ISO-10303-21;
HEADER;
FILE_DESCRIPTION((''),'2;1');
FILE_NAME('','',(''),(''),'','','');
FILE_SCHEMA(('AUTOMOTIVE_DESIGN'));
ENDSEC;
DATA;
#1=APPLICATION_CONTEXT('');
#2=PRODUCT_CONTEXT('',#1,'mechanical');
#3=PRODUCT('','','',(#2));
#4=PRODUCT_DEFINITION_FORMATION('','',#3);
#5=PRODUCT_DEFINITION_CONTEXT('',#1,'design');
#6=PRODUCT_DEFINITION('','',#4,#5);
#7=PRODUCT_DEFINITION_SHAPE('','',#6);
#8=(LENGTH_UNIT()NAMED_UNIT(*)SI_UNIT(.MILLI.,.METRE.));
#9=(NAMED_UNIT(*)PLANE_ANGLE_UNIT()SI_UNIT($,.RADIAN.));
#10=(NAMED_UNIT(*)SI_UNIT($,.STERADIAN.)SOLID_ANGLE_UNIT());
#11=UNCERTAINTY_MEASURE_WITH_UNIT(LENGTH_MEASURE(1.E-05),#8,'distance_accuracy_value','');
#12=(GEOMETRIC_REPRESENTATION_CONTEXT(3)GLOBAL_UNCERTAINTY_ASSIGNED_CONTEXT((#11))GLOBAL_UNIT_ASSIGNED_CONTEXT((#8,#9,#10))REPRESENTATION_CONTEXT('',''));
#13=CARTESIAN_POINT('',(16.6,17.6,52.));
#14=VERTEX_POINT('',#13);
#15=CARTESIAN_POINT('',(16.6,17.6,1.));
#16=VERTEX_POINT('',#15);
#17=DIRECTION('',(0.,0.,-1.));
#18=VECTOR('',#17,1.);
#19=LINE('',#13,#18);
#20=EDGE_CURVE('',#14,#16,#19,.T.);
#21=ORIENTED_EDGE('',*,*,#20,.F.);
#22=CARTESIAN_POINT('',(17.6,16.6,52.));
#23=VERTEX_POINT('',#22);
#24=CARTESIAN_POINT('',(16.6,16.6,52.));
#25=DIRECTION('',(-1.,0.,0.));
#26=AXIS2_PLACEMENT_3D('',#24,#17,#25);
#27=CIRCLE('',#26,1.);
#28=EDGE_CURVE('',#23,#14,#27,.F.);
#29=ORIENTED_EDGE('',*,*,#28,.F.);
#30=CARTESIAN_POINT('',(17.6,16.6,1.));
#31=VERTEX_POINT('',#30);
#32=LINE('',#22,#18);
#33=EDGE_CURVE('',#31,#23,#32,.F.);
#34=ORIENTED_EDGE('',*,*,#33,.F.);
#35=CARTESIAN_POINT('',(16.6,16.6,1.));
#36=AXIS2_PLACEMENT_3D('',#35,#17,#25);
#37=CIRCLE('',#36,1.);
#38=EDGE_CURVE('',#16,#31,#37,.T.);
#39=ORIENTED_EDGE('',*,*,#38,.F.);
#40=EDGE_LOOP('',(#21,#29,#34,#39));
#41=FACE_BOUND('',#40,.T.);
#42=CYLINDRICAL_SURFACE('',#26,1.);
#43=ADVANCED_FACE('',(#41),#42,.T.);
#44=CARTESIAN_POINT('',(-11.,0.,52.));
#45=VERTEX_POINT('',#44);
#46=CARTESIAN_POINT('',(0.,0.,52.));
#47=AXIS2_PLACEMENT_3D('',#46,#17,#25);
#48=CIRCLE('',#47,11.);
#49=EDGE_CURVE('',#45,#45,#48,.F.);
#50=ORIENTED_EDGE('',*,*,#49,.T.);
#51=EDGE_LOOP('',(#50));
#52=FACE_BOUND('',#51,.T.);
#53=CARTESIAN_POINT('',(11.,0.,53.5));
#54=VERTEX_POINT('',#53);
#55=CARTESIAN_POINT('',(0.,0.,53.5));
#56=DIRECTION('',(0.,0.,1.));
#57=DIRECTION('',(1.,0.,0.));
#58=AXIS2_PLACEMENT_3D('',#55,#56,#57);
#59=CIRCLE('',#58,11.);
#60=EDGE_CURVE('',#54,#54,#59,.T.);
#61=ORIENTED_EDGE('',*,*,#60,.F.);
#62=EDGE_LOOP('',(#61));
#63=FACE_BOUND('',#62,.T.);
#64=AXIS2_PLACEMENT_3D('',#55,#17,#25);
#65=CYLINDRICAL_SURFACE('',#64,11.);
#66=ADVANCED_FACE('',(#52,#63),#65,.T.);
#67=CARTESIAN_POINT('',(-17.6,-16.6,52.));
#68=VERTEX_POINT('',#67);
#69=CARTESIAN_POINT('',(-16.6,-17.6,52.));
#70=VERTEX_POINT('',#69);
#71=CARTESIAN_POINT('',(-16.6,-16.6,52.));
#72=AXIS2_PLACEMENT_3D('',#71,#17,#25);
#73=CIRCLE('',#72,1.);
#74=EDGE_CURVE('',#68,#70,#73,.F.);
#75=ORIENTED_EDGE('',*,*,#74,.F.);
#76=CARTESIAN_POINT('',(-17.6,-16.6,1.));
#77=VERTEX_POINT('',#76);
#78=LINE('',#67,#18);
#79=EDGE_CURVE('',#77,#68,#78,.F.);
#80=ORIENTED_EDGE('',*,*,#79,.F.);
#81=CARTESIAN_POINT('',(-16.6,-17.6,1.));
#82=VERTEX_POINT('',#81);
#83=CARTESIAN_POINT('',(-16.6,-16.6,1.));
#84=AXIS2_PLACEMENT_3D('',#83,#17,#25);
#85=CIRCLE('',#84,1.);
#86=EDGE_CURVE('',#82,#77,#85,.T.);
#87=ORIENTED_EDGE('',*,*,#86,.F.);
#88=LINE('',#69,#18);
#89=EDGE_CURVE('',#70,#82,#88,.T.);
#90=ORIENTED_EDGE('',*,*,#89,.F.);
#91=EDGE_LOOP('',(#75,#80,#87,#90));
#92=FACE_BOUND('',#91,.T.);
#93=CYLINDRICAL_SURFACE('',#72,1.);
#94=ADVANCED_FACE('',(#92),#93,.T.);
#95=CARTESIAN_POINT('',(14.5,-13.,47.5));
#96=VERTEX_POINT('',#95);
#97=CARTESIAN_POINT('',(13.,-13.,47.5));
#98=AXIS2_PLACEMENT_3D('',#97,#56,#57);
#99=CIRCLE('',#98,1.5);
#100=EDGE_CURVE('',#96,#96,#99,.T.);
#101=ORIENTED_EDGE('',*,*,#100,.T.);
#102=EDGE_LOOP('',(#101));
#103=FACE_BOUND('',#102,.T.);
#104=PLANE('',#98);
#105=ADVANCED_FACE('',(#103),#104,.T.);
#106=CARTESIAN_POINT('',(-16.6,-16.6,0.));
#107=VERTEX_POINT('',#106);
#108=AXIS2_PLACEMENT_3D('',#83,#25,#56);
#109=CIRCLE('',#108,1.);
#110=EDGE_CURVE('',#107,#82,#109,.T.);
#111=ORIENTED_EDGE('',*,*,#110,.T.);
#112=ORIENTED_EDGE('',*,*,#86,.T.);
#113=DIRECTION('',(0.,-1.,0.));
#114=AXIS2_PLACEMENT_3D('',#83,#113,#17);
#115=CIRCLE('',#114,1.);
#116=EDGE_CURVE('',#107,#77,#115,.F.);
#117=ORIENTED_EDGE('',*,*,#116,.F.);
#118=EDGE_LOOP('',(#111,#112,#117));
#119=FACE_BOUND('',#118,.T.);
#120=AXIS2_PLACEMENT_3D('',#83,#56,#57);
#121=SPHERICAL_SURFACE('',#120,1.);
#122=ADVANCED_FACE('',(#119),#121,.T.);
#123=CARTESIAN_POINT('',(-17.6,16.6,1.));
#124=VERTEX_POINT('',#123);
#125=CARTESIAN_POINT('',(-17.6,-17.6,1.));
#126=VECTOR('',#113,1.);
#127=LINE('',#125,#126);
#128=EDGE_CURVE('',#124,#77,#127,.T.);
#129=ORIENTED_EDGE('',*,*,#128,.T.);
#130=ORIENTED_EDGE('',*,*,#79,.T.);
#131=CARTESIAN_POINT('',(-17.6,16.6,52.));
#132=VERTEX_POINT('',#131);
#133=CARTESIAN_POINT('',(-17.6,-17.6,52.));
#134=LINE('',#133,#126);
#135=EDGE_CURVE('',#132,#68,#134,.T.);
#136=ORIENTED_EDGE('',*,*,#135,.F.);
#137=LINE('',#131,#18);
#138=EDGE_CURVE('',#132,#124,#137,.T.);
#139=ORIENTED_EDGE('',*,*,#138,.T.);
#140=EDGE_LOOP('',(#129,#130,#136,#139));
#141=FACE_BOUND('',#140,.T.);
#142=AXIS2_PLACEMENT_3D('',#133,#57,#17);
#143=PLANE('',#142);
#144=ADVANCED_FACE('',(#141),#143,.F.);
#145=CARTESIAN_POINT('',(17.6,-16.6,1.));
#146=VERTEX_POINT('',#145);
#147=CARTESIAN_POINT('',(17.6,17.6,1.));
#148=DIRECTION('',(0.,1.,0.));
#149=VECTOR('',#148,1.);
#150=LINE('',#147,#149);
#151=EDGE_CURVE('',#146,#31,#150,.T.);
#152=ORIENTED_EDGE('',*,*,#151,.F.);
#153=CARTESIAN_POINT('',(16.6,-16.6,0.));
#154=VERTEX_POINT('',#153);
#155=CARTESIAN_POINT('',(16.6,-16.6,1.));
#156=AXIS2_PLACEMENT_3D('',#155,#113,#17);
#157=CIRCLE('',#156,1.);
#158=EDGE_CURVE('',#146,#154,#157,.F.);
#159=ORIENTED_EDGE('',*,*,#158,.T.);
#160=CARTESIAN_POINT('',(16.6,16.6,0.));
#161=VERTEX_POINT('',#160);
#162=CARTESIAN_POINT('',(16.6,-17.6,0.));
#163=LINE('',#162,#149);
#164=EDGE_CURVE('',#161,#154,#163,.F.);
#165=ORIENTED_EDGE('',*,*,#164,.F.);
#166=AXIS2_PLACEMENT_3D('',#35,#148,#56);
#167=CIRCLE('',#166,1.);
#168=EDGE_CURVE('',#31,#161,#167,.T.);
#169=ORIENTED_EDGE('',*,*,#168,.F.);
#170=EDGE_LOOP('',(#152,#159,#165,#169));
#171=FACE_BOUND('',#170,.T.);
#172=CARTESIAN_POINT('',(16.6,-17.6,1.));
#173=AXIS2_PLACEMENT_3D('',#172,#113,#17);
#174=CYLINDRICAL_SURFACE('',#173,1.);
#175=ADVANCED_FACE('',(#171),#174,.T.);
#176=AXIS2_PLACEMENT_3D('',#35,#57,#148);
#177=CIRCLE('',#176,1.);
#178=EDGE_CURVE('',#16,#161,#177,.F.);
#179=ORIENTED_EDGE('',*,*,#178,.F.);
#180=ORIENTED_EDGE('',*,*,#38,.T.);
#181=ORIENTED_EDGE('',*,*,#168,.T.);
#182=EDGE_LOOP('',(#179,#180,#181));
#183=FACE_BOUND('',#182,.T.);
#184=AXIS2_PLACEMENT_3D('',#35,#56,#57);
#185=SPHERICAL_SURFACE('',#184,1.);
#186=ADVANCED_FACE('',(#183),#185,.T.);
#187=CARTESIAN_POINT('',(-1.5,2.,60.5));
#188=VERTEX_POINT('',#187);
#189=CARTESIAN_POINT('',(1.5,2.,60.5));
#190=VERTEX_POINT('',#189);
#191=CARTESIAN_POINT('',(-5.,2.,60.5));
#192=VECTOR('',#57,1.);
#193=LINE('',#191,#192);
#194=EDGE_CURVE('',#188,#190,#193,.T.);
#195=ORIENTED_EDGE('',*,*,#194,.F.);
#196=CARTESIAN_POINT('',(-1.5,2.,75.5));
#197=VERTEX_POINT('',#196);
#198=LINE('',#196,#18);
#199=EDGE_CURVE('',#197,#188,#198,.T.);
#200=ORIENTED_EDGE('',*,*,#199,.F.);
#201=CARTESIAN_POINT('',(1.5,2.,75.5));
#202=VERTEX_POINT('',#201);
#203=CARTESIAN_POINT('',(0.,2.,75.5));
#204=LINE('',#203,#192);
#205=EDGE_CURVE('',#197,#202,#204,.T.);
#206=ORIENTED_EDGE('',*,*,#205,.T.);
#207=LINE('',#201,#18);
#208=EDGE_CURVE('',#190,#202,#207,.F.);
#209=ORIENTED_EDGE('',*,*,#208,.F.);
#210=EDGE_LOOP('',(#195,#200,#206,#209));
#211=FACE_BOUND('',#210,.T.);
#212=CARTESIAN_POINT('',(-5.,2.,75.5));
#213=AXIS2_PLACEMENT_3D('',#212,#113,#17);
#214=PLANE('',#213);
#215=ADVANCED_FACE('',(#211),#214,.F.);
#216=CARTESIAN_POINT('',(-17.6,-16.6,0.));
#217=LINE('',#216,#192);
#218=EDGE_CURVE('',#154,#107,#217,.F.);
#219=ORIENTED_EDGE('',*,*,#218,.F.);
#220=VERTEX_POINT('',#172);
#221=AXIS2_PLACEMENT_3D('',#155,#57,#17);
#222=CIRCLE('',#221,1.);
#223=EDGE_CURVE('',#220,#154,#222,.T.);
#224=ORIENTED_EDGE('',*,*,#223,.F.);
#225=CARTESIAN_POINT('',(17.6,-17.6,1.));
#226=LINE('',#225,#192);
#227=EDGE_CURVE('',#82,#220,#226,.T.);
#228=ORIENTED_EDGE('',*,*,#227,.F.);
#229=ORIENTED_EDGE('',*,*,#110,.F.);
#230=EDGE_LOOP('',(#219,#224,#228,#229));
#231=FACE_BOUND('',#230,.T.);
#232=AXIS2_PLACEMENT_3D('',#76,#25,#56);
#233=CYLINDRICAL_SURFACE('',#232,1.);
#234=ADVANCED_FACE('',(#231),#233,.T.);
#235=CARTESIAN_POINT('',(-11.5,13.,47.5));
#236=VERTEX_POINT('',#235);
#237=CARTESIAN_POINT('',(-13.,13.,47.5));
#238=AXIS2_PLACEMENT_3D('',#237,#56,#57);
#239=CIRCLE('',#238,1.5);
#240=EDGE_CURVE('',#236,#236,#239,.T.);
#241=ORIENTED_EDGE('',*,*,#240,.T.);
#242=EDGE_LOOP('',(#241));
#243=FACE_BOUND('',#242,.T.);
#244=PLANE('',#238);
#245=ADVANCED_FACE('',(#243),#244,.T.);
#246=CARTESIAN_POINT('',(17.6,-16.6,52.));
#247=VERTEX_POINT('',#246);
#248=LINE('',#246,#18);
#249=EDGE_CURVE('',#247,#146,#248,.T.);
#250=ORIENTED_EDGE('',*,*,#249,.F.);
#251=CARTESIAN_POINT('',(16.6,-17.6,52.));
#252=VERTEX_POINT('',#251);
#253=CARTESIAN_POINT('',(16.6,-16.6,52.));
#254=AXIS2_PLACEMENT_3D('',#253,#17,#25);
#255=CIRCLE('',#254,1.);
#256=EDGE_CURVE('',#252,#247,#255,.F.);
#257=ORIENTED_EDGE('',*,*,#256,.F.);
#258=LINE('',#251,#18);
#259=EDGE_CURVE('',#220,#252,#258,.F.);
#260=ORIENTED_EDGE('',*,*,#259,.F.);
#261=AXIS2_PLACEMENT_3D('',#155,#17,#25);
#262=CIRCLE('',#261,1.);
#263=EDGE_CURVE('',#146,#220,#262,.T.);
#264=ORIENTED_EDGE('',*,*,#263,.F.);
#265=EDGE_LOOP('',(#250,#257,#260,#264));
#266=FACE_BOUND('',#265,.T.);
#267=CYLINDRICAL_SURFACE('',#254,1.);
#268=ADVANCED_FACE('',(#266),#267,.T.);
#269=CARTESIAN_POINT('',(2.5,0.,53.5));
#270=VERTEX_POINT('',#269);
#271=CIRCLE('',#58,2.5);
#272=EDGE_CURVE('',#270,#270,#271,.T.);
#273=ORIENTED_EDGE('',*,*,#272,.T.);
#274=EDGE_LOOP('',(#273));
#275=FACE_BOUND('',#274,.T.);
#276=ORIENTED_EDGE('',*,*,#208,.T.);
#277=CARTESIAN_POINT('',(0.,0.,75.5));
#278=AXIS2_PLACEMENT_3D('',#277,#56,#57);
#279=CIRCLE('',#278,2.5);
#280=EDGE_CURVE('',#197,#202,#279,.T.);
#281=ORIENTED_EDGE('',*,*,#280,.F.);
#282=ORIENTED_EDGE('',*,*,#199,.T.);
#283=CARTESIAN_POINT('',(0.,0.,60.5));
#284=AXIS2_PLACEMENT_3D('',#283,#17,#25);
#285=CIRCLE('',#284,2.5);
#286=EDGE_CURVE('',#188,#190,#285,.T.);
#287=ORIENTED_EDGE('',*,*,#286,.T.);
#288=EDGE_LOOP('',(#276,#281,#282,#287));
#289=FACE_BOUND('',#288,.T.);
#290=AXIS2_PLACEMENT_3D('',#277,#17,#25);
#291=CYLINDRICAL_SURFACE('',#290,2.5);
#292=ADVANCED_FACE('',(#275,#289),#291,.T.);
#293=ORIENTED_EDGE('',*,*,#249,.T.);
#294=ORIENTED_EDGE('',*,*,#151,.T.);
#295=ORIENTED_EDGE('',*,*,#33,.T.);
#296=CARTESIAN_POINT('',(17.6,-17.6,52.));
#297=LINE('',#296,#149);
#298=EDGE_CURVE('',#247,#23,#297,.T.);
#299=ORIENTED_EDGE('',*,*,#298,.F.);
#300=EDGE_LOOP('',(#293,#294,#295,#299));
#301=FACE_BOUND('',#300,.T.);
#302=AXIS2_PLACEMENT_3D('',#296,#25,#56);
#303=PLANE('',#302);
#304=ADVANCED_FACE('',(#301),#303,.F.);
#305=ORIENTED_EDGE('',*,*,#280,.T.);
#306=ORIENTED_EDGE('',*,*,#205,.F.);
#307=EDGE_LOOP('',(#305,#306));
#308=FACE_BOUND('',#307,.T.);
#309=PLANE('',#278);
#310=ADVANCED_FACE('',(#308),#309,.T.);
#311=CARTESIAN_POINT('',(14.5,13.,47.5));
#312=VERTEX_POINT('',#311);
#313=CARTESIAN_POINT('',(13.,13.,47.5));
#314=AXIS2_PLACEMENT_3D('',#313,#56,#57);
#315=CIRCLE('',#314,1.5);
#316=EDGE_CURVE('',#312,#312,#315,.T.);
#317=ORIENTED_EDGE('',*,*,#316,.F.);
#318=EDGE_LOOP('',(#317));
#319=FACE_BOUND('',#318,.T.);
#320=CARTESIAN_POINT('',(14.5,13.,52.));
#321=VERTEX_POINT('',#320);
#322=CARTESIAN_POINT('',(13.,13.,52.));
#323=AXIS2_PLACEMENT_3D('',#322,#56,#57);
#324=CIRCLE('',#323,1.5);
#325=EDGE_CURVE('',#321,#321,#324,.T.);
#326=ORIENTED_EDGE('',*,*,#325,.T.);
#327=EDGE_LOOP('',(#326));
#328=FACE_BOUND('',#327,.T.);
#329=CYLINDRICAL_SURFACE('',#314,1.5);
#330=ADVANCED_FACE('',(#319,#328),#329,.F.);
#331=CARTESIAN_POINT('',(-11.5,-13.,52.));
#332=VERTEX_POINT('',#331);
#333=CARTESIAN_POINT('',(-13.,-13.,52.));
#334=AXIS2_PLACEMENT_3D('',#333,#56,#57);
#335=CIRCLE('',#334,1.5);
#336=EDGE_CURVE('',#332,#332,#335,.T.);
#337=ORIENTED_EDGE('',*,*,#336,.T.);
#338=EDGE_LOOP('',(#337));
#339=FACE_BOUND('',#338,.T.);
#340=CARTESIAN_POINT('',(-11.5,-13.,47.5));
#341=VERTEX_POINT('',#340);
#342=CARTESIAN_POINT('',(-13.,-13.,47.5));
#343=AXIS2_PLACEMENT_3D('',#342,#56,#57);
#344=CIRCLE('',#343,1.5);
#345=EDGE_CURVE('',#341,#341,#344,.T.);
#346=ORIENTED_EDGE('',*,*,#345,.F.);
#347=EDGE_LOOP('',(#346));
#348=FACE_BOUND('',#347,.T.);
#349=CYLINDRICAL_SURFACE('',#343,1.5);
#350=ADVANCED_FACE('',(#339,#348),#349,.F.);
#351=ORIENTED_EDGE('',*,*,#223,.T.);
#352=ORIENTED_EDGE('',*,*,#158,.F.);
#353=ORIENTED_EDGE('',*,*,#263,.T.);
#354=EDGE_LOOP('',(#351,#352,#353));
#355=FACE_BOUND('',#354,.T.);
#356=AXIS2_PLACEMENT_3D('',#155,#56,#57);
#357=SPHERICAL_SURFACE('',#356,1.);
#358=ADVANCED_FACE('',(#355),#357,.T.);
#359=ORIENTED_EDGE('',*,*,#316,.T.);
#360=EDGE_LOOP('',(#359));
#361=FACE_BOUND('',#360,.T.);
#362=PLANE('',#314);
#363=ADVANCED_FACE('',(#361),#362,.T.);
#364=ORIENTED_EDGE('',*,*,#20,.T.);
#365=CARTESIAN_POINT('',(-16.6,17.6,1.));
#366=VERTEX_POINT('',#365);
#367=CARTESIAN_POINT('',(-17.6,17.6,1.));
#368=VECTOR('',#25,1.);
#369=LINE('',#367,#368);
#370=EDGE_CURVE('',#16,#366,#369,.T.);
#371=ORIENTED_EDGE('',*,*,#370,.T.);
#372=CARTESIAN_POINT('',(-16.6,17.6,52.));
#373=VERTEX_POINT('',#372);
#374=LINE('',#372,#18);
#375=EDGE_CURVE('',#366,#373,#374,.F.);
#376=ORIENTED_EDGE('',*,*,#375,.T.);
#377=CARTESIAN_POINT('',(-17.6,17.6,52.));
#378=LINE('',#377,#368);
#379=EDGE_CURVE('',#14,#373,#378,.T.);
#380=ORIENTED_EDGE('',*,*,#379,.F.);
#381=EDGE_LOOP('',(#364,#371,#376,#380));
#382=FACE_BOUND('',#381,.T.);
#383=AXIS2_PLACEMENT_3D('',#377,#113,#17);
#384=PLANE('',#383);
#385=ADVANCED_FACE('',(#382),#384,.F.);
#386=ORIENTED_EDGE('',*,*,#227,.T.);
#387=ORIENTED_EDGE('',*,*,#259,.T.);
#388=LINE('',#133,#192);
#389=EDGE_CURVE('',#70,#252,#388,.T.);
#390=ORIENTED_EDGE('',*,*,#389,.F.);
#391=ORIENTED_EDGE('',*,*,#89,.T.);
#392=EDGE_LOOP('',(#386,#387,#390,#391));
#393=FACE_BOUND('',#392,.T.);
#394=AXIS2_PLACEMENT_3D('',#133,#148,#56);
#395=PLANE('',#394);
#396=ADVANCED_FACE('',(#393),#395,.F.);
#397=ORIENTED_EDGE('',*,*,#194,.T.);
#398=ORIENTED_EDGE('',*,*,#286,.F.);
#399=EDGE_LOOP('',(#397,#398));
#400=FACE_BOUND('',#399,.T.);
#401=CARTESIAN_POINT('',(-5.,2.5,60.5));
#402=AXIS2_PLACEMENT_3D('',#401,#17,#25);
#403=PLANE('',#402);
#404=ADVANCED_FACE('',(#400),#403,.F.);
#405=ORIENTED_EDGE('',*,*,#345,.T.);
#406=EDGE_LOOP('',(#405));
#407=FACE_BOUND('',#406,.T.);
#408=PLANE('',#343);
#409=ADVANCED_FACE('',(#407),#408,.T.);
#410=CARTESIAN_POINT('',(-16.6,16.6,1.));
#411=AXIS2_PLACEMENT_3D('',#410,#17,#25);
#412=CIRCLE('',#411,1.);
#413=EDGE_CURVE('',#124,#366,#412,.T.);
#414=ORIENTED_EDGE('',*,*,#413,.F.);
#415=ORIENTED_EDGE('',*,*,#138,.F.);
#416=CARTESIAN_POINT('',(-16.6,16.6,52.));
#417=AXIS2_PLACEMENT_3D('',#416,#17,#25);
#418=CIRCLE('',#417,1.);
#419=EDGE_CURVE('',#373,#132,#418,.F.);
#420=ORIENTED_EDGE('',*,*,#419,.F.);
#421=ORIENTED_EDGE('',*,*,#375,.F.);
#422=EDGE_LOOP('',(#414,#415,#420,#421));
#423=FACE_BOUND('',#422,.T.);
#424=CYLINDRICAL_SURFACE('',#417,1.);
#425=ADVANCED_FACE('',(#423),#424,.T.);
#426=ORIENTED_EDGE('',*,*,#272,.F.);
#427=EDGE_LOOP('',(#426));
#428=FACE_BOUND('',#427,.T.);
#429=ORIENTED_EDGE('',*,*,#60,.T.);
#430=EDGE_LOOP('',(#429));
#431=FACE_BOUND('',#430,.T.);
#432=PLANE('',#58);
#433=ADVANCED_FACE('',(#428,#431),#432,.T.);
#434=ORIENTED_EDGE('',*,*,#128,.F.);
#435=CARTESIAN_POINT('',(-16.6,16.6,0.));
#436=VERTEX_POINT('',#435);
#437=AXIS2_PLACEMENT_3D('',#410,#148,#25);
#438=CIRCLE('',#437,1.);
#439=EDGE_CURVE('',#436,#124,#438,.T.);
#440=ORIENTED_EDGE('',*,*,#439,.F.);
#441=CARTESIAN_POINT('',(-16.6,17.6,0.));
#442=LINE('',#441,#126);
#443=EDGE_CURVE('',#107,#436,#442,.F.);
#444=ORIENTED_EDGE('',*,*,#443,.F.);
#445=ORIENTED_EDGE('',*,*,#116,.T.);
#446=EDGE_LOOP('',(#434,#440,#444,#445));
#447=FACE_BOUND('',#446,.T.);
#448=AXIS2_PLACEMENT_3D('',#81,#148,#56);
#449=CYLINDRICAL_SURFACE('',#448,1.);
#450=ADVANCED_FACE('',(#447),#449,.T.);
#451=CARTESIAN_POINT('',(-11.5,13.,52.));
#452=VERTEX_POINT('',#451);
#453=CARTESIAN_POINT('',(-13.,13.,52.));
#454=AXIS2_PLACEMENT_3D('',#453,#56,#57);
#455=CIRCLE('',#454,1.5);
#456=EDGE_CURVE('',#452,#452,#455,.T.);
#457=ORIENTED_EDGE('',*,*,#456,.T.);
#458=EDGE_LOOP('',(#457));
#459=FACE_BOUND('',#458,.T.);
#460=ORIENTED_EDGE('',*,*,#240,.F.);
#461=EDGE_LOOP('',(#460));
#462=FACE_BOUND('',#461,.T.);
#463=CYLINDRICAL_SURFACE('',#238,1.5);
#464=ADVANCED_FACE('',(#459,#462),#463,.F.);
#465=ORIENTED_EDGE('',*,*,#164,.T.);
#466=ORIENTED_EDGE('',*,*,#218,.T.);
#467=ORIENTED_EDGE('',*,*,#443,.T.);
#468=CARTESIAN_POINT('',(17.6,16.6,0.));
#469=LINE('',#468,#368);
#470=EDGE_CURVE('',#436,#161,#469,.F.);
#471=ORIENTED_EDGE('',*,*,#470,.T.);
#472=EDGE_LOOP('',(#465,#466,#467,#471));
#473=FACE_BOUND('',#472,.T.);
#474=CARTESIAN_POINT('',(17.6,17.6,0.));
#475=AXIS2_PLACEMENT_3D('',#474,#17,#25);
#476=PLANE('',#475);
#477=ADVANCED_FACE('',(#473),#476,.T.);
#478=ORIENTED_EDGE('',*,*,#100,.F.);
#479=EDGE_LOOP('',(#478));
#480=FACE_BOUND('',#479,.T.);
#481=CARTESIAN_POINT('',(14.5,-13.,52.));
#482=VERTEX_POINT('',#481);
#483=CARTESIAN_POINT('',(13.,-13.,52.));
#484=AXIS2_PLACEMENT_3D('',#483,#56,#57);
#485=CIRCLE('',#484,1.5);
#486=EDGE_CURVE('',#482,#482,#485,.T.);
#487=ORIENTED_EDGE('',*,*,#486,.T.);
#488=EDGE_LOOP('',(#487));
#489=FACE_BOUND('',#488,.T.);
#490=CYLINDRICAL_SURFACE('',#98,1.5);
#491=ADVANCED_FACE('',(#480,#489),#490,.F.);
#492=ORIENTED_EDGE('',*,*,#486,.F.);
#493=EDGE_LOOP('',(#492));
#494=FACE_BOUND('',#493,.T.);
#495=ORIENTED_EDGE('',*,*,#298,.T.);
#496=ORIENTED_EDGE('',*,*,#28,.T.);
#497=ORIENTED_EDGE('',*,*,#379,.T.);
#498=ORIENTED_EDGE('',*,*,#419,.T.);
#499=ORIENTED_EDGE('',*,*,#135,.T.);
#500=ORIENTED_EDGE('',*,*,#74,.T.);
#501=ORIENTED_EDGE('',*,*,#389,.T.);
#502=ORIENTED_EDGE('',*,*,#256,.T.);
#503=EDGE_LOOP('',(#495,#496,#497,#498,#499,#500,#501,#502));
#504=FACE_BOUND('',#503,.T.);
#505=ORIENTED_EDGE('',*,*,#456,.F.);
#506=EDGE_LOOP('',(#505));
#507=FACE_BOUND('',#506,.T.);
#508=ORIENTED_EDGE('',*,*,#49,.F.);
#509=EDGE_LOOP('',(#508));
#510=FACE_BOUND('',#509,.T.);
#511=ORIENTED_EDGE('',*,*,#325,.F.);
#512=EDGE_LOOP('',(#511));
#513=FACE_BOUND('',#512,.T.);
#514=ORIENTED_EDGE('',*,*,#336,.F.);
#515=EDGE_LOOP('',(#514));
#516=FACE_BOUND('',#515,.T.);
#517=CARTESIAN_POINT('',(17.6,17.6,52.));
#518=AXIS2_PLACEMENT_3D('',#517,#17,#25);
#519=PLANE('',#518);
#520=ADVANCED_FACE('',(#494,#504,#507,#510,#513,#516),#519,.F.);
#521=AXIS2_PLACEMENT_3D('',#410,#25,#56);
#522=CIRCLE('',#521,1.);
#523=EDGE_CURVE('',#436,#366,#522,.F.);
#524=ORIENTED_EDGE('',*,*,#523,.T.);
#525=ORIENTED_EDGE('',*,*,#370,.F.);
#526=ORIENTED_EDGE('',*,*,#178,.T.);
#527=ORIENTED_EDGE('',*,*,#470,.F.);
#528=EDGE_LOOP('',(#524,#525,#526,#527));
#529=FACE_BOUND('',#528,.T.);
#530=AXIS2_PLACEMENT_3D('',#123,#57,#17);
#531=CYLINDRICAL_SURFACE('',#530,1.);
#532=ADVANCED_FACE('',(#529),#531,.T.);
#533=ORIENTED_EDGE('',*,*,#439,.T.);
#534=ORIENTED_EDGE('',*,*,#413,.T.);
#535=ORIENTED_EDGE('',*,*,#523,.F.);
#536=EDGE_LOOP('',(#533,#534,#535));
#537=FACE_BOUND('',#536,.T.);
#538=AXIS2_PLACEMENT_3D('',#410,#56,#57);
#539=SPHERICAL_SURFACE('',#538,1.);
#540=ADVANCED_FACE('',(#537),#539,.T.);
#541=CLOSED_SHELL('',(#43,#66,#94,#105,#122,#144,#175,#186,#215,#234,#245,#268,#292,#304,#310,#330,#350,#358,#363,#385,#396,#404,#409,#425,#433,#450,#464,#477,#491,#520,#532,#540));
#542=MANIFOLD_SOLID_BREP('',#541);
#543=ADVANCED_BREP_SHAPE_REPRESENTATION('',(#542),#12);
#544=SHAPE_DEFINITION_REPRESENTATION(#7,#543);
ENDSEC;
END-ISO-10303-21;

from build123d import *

# Parameters (mm, degrees)
SKETCH1_W           = 35.2
SKETCH1_H           = 35.2
BOSS_EXTRUDE1_DEPTH = 52
SKETCH2_R           = 11
BOSS_EXTRUDE2_DEPTH = 1.5
SKETCH3_R           = 2.5
BOSS_EXTRUDE3_DEPTH = 22
SKETCH4_W           = 15
SKETCH4_H           = 0.5
CUT_EXTRUDE1_DEPTH  = 5
SKETCH5_R           = 1.5
CUT_EXTRUDE2_DEPTH  = 4.5
FILLET1_R           = 1


with BuildPart() as part:
    # Sketch1 → Boss-Extrude1 (new body)
    with BuildSketch(Plane.XY):
        Rectangle(SKETCH1_W, SKETCH1_H)
    extrude(amount=BOSS_EXTRUDE1_DEPTH)

    # Sketch2 → Boss-Extrude2 (add)
    with BuildSketch(Plane.XY.offset(52)):
        with Locations(Location((0, 0, 0), (0, 0, 180))):
            Circle(SKETCH2_R)
    extrude(amount=BOSS_EXTRUDE2_DEPTH)

    # Sketch3 → Boss-Extrude3 (add)
    with BuildSketch(Plane.XY.offset(53.5)):
        Circle(SKETCH3_R)
    extrude(amount=BOSS_EXTRUDE3_DEPTH)

    # Sketch4 → Cut-Extrude1 (cut, symmetric)
    with BuildSketch(Plane(origin=(0, 0, 0), x_dir=(0, 0, -1), z_dir=(1, 0, 0))):
        with Locations((-68, 2.25)):
            Rectangle(SKETCH4_W, SKETCH4_H)
    extrude(amount=CUT_EXTRUDE1_DEPTH, both=True, mode=Mode.SUBTRACT)

    # Sketch5 → Cut-Extrude2 (cut)
    with BuildSketch(Plane.XY.offset(52)):
        with Locations((-13, 13)):
            Circle(SKETCH5_R)
        with Locations((13, 13)):
            Circle(SKETCH5_R)
        with Locations((13, -13)):
            Circle(SKETCH5_R)
        with Locations((-13, -13)):
            Circle(SKETCH5_R)
    extrude(amount=-CUT_EXTRUDE2_DEPTH, mode=Mode.SUBTRACT)

    # Fillet1
    fillet1_edges = [part.edges().sort_by_distance(p)[0] for p in [
        (0, -17.6, 0),
        (-17.6, 0, 0),
        (0, 17.6, 0),
        (17.6, 0, 0),
        (17.6, -17.6, 26),
        (-17.6, -17.6, 26),
        (-17.6, 17.6, 26),
        (17.6, 17.6, 26),
    ]]
    fillet(fillet1_edges, radius=FILLET1_R)


solid = part.part
